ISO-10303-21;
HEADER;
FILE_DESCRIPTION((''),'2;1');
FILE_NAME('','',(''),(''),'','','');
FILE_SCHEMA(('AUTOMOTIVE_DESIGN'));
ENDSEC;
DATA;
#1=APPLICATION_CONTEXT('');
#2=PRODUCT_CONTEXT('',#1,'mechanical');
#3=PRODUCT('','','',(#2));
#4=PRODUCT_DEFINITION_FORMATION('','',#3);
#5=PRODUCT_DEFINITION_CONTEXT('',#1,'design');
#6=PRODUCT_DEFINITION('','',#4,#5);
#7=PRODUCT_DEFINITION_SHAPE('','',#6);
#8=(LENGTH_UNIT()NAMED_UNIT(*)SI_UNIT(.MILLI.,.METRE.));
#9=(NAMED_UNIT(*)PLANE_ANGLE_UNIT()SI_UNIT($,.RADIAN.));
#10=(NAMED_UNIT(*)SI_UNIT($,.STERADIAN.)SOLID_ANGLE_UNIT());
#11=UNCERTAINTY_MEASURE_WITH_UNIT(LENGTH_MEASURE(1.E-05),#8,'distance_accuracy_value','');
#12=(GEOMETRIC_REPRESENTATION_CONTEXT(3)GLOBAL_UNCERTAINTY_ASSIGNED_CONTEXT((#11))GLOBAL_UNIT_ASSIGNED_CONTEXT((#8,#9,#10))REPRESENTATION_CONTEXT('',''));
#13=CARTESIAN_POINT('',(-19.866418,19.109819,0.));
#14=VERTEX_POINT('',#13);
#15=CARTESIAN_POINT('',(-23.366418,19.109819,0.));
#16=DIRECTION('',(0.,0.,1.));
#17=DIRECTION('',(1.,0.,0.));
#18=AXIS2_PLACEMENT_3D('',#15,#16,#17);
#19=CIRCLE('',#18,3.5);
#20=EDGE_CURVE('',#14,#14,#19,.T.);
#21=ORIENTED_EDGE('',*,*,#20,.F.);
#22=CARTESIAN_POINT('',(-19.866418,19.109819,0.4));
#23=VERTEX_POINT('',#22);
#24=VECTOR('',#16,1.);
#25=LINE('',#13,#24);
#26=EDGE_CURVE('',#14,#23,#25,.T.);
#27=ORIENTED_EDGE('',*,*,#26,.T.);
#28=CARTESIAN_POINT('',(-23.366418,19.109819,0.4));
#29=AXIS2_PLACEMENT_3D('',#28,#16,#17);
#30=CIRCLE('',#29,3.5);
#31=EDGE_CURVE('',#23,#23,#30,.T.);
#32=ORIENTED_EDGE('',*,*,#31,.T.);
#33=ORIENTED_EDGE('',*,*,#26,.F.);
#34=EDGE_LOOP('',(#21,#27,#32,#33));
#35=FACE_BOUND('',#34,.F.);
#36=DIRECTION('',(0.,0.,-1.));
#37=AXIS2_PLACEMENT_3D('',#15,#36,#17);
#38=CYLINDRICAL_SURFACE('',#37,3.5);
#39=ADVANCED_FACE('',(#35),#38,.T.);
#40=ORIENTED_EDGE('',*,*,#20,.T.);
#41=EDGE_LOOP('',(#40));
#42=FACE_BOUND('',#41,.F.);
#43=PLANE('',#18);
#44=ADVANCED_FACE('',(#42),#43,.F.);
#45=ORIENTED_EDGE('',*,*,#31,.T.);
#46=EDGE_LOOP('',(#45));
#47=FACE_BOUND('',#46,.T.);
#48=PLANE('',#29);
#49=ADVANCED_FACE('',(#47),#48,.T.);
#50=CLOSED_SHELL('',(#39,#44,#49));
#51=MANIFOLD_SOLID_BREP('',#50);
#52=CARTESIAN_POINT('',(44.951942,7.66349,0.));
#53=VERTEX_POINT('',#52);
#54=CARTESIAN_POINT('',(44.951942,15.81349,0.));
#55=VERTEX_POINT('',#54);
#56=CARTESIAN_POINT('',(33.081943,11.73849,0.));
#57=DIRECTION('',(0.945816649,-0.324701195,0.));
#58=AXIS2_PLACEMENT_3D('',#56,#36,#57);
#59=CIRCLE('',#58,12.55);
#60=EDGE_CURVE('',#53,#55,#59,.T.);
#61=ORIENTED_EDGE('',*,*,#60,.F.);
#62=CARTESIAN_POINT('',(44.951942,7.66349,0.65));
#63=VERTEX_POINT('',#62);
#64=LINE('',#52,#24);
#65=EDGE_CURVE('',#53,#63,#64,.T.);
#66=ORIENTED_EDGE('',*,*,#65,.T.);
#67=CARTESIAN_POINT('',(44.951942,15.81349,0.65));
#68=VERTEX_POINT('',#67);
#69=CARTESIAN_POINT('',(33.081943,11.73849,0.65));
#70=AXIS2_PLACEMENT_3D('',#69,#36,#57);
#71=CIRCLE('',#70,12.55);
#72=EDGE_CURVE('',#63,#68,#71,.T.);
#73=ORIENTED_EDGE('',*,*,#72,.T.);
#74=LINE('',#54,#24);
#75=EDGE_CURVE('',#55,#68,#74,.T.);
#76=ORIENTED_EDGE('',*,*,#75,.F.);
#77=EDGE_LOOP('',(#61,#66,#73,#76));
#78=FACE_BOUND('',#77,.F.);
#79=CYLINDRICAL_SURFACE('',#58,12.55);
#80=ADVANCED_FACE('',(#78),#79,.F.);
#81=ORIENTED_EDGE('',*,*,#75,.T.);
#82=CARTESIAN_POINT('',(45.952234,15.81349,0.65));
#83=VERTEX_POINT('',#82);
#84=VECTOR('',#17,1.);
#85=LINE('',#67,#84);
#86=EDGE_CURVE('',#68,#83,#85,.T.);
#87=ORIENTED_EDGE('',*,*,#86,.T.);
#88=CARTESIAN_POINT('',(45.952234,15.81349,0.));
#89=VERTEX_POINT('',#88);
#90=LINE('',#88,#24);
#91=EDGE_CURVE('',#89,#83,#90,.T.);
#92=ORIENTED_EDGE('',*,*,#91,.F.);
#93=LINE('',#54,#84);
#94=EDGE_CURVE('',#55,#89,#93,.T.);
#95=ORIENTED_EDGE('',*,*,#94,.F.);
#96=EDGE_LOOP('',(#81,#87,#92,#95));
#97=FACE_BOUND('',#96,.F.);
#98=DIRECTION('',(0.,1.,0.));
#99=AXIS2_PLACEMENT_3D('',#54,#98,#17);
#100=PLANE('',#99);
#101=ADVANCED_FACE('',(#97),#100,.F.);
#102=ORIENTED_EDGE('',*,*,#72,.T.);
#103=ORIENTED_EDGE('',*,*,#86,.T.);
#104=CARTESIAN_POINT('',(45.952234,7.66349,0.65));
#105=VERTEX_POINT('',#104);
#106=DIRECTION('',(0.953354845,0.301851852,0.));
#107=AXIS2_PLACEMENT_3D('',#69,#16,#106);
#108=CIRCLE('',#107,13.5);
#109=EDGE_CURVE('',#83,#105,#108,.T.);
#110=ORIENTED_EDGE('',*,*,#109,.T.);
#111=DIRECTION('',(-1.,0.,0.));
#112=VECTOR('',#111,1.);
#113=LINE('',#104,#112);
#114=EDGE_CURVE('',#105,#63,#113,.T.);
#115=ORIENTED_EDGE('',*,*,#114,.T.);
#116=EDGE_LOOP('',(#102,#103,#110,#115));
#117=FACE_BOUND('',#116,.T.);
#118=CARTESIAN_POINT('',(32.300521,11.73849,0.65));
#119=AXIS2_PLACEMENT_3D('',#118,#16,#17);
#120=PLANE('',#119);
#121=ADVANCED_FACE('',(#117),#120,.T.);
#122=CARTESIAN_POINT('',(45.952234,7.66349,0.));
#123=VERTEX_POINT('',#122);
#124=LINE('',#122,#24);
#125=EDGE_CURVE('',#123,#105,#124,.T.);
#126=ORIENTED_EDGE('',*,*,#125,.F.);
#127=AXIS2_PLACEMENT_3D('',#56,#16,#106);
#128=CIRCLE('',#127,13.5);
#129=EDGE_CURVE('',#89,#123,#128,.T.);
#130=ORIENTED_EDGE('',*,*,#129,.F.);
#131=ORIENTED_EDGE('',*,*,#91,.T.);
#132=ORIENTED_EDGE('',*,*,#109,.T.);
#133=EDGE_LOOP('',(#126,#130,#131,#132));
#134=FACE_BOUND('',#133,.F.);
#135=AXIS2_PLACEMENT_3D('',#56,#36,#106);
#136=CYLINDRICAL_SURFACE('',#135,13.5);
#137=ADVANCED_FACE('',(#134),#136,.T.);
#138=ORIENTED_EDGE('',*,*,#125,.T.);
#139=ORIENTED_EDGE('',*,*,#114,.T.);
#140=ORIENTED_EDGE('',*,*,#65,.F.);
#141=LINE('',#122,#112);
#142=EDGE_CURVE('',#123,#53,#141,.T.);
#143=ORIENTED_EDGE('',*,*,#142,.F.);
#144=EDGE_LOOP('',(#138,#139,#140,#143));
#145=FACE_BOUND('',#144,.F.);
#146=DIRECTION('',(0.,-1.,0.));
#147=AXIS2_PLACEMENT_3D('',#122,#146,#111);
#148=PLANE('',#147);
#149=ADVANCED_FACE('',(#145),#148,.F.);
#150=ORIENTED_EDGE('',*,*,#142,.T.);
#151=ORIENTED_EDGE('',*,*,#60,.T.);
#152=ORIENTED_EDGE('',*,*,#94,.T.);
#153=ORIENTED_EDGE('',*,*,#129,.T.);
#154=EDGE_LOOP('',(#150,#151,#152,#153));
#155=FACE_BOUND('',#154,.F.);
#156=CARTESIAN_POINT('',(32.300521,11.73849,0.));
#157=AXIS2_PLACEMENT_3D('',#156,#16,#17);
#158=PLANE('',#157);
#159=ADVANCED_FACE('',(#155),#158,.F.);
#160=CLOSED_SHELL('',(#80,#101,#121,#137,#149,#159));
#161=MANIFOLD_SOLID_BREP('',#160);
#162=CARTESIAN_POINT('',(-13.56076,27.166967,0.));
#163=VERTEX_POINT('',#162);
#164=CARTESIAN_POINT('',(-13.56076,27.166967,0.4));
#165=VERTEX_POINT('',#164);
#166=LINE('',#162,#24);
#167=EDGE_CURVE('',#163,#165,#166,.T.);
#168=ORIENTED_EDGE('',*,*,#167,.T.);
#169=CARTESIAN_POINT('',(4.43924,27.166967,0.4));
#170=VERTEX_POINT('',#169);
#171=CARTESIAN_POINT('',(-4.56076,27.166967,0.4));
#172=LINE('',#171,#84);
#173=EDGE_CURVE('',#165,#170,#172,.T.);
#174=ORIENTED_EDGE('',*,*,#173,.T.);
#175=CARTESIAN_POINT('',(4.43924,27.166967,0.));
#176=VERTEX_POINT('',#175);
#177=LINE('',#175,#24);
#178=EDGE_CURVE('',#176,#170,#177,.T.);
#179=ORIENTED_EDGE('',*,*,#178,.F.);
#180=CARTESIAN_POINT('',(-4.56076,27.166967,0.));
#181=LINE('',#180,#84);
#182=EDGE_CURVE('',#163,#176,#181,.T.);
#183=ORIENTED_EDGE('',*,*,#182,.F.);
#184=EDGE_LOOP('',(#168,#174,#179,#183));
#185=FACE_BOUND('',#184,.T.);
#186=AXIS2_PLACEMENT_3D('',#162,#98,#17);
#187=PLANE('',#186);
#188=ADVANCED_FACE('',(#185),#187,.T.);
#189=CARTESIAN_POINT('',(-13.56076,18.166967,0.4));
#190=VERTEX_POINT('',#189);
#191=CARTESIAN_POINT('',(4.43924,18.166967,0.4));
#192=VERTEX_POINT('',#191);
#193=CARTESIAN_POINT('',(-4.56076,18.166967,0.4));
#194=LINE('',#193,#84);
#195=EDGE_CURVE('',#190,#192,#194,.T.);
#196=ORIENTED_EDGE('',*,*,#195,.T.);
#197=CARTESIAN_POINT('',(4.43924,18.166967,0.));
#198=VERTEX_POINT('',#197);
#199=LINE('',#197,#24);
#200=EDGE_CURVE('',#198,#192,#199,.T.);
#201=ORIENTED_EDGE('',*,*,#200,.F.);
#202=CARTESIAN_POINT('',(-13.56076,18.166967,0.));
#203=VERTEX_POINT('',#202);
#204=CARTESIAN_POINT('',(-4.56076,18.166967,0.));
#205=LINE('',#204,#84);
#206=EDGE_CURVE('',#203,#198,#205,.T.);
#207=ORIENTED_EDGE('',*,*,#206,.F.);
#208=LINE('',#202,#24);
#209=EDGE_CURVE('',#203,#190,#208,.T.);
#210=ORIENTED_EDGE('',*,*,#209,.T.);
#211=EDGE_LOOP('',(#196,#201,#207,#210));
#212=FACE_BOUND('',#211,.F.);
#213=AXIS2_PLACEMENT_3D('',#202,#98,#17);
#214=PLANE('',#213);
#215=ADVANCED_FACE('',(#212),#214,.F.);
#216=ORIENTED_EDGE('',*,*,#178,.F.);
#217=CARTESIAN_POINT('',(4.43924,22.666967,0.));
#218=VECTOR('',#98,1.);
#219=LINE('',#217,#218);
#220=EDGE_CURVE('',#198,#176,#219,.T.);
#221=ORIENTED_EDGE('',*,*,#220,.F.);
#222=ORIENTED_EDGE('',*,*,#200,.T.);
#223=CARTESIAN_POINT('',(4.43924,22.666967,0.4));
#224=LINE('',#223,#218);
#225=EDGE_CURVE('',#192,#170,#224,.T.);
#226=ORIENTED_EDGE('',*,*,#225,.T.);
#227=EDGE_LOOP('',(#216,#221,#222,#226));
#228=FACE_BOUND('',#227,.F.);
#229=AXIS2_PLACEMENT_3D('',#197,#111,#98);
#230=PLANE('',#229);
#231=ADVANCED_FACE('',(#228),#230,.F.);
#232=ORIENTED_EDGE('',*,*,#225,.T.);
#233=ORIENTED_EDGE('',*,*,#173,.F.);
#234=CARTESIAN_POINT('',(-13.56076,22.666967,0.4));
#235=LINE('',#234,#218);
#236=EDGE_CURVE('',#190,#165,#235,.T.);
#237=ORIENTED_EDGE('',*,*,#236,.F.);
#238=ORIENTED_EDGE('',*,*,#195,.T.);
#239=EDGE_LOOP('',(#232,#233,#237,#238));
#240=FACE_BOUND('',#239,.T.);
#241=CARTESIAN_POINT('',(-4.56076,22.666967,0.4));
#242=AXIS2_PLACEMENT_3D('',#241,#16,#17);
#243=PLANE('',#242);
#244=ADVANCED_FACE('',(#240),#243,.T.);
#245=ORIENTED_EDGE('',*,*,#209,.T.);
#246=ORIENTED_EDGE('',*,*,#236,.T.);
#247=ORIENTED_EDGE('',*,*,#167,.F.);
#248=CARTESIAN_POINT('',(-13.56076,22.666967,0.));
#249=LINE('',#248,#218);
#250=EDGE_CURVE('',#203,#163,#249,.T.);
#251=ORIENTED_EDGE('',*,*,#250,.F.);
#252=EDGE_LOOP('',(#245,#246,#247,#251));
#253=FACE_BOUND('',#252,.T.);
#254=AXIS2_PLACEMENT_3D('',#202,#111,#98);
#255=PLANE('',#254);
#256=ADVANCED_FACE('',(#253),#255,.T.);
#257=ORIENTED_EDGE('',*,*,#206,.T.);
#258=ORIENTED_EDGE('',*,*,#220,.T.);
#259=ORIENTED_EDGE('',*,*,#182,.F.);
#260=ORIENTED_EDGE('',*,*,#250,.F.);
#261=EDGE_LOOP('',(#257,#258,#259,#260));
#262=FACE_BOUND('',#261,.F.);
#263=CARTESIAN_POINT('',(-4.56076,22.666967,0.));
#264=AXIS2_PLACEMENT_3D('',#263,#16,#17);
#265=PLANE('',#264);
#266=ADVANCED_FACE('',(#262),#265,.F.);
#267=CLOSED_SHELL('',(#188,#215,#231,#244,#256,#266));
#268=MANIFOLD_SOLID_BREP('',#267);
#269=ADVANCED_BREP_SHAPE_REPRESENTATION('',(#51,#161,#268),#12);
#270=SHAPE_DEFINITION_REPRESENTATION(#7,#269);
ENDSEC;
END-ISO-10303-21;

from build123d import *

# Parameters (mm, degrees)
F0_R     = 3.5
F1_DEPTH = 0.4
F0_W     = 18
F0_H     = 9
F2_DEPTH = 0.4
F3_DEPTH = 0.65


with BuildPart() as f1:
    # F0 (on Top) → F1 (new body)
    with BuildSketch(Plane.XY):
        with Locations((-23.366418443, 19.1098190844)):
            Circle(F0_R)
    extrude(amount=F1_DEPTH)


with BuildPart() as f2:
    # F0 (on Top) → F2 (new body)
    with BuildSketch(Plane.XY):
        with Locations((-4.560760178, 22.666967287)):
            Rectangle(F0_W, F0_H)
    extrude(amount=F2_DEPTH)


with BuildPart() as f3:
    # F0 (on Top) → F3 (new body)
    with BuildSketch(Plane.XY):
        with BuildLine():
            ThreePointArc((44.9519422085, 7.6634903133), (20.5319432616, 11.7384903133), (44.9519422085, 15.8134903133))
            Line((44.9519422085, 15.8134903133), (45.9522336624, 15.8134903133))
            ThreePointArc((45.9522336624, 15.8134903133), (19.5819432616, 11.7384903133), (45.9522336624, 7.6634903133))
            Line((45.9522336624, 7.6634903133), (44.9519422085, 7.6634903133))
        make_face()
    extrude(amount=F3_DEPTH)


solid = Compound([f1.part, f2.part, f3.part])
